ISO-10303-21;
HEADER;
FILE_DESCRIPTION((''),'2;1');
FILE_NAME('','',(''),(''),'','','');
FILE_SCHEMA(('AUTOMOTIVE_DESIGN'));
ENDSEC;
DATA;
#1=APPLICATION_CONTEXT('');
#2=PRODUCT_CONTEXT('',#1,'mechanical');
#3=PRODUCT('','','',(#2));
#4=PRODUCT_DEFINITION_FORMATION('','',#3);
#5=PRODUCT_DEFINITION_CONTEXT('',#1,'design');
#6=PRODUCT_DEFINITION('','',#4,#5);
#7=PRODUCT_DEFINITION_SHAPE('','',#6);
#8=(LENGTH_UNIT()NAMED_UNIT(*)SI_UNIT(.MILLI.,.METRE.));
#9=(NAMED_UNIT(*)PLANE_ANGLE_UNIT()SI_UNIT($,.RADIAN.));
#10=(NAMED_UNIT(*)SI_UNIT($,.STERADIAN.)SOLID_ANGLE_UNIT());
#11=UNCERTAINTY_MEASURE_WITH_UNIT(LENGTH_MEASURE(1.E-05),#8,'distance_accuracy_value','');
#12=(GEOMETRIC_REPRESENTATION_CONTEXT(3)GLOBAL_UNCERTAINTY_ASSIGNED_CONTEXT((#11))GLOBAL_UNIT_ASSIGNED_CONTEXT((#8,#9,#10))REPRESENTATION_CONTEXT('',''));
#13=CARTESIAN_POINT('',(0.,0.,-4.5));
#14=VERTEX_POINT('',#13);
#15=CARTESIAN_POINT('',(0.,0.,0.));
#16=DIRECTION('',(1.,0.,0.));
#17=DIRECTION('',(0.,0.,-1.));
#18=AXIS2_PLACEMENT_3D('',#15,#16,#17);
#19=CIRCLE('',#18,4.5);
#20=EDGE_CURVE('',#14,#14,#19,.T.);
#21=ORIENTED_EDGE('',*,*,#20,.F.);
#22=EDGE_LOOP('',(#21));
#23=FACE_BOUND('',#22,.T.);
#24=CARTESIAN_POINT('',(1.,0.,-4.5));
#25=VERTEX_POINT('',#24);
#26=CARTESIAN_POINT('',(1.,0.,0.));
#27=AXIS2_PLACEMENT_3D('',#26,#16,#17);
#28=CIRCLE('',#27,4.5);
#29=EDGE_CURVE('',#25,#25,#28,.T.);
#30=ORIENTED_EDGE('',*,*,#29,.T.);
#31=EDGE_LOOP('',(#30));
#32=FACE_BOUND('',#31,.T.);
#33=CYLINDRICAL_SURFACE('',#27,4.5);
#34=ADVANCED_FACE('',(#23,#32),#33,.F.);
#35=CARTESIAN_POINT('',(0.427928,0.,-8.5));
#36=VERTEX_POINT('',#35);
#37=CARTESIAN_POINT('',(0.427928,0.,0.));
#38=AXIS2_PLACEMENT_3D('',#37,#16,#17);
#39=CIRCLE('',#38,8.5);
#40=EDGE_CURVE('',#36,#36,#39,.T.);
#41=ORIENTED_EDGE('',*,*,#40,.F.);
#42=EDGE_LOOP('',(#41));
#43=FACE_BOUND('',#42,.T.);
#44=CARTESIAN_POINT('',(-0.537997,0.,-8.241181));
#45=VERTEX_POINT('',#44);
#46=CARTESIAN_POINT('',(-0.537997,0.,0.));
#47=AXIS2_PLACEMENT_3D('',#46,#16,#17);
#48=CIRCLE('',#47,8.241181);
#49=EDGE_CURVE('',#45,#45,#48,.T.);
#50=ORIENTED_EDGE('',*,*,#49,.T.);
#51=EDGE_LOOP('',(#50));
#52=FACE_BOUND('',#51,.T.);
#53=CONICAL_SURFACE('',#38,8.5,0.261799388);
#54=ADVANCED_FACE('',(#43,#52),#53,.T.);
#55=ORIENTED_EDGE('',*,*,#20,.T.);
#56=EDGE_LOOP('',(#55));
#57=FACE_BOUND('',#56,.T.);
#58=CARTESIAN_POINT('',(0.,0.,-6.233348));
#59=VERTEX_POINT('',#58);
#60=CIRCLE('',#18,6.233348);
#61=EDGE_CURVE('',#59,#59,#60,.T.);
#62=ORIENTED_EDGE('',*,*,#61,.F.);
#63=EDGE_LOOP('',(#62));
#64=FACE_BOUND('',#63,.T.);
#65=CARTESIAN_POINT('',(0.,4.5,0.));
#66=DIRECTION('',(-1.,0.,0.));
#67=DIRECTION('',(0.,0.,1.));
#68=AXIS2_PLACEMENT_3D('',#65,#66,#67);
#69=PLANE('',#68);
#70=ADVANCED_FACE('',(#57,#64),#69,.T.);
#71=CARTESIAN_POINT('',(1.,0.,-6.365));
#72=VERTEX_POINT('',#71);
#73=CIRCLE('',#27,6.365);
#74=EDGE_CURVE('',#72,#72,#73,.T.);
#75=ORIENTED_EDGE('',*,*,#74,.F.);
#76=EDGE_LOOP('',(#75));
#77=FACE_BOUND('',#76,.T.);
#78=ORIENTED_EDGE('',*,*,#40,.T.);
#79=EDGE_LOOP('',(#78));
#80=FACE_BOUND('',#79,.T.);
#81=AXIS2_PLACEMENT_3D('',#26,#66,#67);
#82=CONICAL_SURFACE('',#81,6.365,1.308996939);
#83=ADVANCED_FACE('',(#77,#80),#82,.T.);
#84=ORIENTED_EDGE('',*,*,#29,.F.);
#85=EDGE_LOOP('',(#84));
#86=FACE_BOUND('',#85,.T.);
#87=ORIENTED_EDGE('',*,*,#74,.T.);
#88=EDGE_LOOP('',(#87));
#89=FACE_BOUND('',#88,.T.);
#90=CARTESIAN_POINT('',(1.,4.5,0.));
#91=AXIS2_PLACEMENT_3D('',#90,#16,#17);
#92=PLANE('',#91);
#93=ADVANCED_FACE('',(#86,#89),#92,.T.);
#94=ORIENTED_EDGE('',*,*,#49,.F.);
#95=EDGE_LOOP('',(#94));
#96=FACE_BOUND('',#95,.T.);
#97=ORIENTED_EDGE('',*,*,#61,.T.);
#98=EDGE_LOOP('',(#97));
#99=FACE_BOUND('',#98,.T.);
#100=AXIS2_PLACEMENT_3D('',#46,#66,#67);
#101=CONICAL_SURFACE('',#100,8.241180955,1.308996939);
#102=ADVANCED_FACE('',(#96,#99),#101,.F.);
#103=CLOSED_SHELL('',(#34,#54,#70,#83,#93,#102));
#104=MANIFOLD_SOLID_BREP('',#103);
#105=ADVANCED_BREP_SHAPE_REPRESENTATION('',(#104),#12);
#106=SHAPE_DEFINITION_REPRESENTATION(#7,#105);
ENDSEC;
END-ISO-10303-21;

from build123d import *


with BuildPart() as part:
    # Sketch1 → Revolve1 (revolve)
    with BuildSketch(Plane.XY):
        Polygon((1, 4.5), (0, 4.5), (0, 6.233347502), (-0.537997352, 8.241180955), (0.427928474, 8.5), (1, 6.365), align=None)
    revolve(axis=Axis((1, 0, 0), (-1, 0, 0)))


solid = part.part
